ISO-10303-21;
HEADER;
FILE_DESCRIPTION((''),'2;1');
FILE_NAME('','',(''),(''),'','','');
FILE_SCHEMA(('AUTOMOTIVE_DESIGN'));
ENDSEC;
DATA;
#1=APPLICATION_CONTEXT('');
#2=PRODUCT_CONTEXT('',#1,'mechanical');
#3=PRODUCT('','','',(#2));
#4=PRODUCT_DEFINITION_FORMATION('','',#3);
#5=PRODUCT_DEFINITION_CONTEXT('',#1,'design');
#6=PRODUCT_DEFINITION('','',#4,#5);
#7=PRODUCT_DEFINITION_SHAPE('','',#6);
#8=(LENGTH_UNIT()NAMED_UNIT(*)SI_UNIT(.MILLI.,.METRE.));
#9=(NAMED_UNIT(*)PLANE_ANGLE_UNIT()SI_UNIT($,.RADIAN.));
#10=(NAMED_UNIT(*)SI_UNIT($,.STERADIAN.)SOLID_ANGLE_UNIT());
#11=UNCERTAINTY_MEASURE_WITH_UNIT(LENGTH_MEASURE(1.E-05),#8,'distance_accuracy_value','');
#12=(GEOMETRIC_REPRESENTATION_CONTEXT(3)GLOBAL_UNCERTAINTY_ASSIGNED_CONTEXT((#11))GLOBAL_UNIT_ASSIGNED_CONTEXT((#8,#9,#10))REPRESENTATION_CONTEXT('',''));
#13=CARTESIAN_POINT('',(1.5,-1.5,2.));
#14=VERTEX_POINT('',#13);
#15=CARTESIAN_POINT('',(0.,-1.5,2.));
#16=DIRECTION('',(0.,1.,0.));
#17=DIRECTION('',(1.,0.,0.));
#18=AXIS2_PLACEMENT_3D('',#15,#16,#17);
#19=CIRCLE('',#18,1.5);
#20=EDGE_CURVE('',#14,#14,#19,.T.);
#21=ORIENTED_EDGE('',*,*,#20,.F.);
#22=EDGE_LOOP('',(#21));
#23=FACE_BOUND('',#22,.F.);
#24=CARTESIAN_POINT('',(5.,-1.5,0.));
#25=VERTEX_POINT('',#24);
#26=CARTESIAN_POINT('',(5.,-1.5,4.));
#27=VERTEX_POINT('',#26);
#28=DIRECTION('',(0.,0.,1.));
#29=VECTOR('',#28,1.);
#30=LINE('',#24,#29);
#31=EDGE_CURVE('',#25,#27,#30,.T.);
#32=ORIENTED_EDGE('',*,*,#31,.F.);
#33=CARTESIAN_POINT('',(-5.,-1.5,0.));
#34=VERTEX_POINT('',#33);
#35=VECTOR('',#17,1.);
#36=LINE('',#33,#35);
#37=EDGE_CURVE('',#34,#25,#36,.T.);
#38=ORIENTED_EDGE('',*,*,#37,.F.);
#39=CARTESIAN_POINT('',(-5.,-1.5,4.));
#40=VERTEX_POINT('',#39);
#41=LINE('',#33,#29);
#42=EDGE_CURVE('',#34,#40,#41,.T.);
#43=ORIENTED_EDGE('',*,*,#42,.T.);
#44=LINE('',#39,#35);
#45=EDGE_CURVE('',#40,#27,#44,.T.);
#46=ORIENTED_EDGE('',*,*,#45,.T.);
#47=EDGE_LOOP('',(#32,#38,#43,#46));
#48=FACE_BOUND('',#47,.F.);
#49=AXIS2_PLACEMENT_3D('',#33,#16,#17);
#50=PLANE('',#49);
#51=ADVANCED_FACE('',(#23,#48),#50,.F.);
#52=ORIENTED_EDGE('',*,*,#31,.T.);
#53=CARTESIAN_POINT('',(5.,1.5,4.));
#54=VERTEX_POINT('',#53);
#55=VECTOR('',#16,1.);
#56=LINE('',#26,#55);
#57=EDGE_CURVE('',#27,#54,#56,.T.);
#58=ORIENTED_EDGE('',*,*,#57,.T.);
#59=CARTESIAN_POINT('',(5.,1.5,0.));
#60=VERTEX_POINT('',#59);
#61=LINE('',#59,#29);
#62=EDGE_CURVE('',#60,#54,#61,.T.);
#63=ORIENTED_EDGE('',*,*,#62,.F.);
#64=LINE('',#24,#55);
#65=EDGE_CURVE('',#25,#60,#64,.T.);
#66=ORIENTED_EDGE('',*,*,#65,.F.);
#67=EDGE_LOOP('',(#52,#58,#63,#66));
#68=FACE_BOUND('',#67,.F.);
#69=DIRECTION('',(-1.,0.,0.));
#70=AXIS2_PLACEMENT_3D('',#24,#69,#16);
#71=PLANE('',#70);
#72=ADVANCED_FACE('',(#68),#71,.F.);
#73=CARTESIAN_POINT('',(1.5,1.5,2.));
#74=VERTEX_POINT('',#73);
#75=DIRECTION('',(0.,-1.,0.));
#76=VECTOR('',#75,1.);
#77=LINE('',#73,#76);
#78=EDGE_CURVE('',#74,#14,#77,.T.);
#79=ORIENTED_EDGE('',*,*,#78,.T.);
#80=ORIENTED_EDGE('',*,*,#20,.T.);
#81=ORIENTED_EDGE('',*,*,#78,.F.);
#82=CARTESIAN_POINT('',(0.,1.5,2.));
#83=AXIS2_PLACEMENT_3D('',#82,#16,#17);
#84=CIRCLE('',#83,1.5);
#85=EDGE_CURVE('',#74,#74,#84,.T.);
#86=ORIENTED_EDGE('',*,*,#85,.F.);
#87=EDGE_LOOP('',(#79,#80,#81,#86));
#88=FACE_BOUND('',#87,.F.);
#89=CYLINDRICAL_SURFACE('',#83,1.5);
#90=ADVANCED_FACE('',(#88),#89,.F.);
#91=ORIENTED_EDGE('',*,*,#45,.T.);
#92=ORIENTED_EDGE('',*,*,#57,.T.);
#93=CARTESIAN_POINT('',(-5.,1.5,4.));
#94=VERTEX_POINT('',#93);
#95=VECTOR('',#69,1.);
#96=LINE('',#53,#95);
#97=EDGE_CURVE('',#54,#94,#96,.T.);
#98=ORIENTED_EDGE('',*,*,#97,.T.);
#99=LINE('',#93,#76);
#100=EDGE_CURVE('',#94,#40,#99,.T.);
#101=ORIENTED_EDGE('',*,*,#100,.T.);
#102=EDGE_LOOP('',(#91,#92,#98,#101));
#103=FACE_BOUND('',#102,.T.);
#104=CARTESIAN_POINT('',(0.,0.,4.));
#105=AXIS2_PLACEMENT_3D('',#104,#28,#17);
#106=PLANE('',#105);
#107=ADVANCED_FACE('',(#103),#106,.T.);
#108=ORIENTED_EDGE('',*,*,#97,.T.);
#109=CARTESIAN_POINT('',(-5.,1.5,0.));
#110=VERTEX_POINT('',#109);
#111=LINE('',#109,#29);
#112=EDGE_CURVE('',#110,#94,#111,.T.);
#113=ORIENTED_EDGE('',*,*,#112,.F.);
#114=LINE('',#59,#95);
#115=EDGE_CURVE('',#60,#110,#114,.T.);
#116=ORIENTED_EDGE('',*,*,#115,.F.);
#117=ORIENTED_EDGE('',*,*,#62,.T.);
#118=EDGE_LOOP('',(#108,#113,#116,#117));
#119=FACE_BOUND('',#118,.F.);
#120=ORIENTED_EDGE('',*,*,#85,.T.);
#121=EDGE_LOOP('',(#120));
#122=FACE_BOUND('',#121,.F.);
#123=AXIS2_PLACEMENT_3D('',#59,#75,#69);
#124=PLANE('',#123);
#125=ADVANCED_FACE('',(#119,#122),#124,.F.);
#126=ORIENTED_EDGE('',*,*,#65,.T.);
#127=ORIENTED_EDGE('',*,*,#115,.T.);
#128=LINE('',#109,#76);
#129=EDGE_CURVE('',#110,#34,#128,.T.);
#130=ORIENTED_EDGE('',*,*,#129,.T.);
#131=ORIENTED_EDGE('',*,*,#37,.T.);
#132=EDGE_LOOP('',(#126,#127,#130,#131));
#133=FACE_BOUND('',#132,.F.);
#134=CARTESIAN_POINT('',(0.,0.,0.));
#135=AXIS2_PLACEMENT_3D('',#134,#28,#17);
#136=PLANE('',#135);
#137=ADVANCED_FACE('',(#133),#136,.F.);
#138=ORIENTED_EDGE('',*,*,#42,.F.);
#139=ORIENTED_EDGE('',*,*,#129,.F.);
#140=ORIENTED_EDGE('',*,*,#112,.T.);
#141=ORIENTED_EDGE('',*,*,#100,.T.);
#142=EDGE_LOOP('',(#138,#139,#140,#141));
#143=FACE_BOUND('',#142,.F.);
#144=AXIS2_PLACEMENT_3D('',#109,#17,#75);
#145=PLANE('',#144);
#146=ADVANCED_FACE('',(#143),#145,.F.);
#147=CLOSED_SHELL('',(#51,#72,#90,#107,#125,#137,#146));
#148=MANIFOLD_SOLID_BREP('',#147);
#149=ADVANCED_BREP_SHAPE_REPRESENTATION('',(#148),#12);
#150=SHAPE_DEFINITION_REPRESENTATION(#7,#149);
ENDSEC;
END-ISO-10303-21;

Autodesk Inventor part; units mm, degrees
ref_plane "YZ Plane" through (0, 0, 0) normal (1, 0, 0) x (0, 1, 0)
ref_plane "XZ Plane" through (0, 0, 0) normal (0, 1, 0) x (-1, 0, 0)
ref_plane "XY Plane" through (0, 0, 0) normal (0, 0, 1) x (1, 0, 0)
sketch "Sketch1" plane through (0, 0, 0) normal (0, 0, 1) x (1, 0, 0)
  line L0 (-5, -1.5) -> (5, -1.5)
  line L1 (5, -1.5) -> (5, 1.5)
  line L2 (5, 1.5) -> (-5, 1.5)
  line L3 (-5, 1.5) -> (-5, -1.5)
  line L4 (-5, -1.5) -> (5, 1.5) construction
  line L5 (5, -1.5) -> (-5, 1.5) construction
  point P0 (0, 0)
  dimension "d0" = 3
  dimension "d1" = 10
extrude "Extrusion1" add sketch "Sketch1" along normal blind 4
sketch "Sketch2" plane through (-5, 1.5, 0) normal (0, 1, 0) x (1, 0, 0)
  circle A0 centre (5, -2) radius 1.5
  line L0 (0, 0) -> (0, -4) projected
  line L1 (10, 0) -> (0, 0) projected
  point P0 (5, 0)
  point P1 (0, -2)
  point P2 (5, 0)
  dimension "d4" = 3
extrude "Extrusion2" cut sketch "Sketch2" against normal up to surface (3 mm away)
thread "Thread1" size "M3x0.5" class "6H" standard "ISO Metric profile" length 35.9
properties part number "19"
